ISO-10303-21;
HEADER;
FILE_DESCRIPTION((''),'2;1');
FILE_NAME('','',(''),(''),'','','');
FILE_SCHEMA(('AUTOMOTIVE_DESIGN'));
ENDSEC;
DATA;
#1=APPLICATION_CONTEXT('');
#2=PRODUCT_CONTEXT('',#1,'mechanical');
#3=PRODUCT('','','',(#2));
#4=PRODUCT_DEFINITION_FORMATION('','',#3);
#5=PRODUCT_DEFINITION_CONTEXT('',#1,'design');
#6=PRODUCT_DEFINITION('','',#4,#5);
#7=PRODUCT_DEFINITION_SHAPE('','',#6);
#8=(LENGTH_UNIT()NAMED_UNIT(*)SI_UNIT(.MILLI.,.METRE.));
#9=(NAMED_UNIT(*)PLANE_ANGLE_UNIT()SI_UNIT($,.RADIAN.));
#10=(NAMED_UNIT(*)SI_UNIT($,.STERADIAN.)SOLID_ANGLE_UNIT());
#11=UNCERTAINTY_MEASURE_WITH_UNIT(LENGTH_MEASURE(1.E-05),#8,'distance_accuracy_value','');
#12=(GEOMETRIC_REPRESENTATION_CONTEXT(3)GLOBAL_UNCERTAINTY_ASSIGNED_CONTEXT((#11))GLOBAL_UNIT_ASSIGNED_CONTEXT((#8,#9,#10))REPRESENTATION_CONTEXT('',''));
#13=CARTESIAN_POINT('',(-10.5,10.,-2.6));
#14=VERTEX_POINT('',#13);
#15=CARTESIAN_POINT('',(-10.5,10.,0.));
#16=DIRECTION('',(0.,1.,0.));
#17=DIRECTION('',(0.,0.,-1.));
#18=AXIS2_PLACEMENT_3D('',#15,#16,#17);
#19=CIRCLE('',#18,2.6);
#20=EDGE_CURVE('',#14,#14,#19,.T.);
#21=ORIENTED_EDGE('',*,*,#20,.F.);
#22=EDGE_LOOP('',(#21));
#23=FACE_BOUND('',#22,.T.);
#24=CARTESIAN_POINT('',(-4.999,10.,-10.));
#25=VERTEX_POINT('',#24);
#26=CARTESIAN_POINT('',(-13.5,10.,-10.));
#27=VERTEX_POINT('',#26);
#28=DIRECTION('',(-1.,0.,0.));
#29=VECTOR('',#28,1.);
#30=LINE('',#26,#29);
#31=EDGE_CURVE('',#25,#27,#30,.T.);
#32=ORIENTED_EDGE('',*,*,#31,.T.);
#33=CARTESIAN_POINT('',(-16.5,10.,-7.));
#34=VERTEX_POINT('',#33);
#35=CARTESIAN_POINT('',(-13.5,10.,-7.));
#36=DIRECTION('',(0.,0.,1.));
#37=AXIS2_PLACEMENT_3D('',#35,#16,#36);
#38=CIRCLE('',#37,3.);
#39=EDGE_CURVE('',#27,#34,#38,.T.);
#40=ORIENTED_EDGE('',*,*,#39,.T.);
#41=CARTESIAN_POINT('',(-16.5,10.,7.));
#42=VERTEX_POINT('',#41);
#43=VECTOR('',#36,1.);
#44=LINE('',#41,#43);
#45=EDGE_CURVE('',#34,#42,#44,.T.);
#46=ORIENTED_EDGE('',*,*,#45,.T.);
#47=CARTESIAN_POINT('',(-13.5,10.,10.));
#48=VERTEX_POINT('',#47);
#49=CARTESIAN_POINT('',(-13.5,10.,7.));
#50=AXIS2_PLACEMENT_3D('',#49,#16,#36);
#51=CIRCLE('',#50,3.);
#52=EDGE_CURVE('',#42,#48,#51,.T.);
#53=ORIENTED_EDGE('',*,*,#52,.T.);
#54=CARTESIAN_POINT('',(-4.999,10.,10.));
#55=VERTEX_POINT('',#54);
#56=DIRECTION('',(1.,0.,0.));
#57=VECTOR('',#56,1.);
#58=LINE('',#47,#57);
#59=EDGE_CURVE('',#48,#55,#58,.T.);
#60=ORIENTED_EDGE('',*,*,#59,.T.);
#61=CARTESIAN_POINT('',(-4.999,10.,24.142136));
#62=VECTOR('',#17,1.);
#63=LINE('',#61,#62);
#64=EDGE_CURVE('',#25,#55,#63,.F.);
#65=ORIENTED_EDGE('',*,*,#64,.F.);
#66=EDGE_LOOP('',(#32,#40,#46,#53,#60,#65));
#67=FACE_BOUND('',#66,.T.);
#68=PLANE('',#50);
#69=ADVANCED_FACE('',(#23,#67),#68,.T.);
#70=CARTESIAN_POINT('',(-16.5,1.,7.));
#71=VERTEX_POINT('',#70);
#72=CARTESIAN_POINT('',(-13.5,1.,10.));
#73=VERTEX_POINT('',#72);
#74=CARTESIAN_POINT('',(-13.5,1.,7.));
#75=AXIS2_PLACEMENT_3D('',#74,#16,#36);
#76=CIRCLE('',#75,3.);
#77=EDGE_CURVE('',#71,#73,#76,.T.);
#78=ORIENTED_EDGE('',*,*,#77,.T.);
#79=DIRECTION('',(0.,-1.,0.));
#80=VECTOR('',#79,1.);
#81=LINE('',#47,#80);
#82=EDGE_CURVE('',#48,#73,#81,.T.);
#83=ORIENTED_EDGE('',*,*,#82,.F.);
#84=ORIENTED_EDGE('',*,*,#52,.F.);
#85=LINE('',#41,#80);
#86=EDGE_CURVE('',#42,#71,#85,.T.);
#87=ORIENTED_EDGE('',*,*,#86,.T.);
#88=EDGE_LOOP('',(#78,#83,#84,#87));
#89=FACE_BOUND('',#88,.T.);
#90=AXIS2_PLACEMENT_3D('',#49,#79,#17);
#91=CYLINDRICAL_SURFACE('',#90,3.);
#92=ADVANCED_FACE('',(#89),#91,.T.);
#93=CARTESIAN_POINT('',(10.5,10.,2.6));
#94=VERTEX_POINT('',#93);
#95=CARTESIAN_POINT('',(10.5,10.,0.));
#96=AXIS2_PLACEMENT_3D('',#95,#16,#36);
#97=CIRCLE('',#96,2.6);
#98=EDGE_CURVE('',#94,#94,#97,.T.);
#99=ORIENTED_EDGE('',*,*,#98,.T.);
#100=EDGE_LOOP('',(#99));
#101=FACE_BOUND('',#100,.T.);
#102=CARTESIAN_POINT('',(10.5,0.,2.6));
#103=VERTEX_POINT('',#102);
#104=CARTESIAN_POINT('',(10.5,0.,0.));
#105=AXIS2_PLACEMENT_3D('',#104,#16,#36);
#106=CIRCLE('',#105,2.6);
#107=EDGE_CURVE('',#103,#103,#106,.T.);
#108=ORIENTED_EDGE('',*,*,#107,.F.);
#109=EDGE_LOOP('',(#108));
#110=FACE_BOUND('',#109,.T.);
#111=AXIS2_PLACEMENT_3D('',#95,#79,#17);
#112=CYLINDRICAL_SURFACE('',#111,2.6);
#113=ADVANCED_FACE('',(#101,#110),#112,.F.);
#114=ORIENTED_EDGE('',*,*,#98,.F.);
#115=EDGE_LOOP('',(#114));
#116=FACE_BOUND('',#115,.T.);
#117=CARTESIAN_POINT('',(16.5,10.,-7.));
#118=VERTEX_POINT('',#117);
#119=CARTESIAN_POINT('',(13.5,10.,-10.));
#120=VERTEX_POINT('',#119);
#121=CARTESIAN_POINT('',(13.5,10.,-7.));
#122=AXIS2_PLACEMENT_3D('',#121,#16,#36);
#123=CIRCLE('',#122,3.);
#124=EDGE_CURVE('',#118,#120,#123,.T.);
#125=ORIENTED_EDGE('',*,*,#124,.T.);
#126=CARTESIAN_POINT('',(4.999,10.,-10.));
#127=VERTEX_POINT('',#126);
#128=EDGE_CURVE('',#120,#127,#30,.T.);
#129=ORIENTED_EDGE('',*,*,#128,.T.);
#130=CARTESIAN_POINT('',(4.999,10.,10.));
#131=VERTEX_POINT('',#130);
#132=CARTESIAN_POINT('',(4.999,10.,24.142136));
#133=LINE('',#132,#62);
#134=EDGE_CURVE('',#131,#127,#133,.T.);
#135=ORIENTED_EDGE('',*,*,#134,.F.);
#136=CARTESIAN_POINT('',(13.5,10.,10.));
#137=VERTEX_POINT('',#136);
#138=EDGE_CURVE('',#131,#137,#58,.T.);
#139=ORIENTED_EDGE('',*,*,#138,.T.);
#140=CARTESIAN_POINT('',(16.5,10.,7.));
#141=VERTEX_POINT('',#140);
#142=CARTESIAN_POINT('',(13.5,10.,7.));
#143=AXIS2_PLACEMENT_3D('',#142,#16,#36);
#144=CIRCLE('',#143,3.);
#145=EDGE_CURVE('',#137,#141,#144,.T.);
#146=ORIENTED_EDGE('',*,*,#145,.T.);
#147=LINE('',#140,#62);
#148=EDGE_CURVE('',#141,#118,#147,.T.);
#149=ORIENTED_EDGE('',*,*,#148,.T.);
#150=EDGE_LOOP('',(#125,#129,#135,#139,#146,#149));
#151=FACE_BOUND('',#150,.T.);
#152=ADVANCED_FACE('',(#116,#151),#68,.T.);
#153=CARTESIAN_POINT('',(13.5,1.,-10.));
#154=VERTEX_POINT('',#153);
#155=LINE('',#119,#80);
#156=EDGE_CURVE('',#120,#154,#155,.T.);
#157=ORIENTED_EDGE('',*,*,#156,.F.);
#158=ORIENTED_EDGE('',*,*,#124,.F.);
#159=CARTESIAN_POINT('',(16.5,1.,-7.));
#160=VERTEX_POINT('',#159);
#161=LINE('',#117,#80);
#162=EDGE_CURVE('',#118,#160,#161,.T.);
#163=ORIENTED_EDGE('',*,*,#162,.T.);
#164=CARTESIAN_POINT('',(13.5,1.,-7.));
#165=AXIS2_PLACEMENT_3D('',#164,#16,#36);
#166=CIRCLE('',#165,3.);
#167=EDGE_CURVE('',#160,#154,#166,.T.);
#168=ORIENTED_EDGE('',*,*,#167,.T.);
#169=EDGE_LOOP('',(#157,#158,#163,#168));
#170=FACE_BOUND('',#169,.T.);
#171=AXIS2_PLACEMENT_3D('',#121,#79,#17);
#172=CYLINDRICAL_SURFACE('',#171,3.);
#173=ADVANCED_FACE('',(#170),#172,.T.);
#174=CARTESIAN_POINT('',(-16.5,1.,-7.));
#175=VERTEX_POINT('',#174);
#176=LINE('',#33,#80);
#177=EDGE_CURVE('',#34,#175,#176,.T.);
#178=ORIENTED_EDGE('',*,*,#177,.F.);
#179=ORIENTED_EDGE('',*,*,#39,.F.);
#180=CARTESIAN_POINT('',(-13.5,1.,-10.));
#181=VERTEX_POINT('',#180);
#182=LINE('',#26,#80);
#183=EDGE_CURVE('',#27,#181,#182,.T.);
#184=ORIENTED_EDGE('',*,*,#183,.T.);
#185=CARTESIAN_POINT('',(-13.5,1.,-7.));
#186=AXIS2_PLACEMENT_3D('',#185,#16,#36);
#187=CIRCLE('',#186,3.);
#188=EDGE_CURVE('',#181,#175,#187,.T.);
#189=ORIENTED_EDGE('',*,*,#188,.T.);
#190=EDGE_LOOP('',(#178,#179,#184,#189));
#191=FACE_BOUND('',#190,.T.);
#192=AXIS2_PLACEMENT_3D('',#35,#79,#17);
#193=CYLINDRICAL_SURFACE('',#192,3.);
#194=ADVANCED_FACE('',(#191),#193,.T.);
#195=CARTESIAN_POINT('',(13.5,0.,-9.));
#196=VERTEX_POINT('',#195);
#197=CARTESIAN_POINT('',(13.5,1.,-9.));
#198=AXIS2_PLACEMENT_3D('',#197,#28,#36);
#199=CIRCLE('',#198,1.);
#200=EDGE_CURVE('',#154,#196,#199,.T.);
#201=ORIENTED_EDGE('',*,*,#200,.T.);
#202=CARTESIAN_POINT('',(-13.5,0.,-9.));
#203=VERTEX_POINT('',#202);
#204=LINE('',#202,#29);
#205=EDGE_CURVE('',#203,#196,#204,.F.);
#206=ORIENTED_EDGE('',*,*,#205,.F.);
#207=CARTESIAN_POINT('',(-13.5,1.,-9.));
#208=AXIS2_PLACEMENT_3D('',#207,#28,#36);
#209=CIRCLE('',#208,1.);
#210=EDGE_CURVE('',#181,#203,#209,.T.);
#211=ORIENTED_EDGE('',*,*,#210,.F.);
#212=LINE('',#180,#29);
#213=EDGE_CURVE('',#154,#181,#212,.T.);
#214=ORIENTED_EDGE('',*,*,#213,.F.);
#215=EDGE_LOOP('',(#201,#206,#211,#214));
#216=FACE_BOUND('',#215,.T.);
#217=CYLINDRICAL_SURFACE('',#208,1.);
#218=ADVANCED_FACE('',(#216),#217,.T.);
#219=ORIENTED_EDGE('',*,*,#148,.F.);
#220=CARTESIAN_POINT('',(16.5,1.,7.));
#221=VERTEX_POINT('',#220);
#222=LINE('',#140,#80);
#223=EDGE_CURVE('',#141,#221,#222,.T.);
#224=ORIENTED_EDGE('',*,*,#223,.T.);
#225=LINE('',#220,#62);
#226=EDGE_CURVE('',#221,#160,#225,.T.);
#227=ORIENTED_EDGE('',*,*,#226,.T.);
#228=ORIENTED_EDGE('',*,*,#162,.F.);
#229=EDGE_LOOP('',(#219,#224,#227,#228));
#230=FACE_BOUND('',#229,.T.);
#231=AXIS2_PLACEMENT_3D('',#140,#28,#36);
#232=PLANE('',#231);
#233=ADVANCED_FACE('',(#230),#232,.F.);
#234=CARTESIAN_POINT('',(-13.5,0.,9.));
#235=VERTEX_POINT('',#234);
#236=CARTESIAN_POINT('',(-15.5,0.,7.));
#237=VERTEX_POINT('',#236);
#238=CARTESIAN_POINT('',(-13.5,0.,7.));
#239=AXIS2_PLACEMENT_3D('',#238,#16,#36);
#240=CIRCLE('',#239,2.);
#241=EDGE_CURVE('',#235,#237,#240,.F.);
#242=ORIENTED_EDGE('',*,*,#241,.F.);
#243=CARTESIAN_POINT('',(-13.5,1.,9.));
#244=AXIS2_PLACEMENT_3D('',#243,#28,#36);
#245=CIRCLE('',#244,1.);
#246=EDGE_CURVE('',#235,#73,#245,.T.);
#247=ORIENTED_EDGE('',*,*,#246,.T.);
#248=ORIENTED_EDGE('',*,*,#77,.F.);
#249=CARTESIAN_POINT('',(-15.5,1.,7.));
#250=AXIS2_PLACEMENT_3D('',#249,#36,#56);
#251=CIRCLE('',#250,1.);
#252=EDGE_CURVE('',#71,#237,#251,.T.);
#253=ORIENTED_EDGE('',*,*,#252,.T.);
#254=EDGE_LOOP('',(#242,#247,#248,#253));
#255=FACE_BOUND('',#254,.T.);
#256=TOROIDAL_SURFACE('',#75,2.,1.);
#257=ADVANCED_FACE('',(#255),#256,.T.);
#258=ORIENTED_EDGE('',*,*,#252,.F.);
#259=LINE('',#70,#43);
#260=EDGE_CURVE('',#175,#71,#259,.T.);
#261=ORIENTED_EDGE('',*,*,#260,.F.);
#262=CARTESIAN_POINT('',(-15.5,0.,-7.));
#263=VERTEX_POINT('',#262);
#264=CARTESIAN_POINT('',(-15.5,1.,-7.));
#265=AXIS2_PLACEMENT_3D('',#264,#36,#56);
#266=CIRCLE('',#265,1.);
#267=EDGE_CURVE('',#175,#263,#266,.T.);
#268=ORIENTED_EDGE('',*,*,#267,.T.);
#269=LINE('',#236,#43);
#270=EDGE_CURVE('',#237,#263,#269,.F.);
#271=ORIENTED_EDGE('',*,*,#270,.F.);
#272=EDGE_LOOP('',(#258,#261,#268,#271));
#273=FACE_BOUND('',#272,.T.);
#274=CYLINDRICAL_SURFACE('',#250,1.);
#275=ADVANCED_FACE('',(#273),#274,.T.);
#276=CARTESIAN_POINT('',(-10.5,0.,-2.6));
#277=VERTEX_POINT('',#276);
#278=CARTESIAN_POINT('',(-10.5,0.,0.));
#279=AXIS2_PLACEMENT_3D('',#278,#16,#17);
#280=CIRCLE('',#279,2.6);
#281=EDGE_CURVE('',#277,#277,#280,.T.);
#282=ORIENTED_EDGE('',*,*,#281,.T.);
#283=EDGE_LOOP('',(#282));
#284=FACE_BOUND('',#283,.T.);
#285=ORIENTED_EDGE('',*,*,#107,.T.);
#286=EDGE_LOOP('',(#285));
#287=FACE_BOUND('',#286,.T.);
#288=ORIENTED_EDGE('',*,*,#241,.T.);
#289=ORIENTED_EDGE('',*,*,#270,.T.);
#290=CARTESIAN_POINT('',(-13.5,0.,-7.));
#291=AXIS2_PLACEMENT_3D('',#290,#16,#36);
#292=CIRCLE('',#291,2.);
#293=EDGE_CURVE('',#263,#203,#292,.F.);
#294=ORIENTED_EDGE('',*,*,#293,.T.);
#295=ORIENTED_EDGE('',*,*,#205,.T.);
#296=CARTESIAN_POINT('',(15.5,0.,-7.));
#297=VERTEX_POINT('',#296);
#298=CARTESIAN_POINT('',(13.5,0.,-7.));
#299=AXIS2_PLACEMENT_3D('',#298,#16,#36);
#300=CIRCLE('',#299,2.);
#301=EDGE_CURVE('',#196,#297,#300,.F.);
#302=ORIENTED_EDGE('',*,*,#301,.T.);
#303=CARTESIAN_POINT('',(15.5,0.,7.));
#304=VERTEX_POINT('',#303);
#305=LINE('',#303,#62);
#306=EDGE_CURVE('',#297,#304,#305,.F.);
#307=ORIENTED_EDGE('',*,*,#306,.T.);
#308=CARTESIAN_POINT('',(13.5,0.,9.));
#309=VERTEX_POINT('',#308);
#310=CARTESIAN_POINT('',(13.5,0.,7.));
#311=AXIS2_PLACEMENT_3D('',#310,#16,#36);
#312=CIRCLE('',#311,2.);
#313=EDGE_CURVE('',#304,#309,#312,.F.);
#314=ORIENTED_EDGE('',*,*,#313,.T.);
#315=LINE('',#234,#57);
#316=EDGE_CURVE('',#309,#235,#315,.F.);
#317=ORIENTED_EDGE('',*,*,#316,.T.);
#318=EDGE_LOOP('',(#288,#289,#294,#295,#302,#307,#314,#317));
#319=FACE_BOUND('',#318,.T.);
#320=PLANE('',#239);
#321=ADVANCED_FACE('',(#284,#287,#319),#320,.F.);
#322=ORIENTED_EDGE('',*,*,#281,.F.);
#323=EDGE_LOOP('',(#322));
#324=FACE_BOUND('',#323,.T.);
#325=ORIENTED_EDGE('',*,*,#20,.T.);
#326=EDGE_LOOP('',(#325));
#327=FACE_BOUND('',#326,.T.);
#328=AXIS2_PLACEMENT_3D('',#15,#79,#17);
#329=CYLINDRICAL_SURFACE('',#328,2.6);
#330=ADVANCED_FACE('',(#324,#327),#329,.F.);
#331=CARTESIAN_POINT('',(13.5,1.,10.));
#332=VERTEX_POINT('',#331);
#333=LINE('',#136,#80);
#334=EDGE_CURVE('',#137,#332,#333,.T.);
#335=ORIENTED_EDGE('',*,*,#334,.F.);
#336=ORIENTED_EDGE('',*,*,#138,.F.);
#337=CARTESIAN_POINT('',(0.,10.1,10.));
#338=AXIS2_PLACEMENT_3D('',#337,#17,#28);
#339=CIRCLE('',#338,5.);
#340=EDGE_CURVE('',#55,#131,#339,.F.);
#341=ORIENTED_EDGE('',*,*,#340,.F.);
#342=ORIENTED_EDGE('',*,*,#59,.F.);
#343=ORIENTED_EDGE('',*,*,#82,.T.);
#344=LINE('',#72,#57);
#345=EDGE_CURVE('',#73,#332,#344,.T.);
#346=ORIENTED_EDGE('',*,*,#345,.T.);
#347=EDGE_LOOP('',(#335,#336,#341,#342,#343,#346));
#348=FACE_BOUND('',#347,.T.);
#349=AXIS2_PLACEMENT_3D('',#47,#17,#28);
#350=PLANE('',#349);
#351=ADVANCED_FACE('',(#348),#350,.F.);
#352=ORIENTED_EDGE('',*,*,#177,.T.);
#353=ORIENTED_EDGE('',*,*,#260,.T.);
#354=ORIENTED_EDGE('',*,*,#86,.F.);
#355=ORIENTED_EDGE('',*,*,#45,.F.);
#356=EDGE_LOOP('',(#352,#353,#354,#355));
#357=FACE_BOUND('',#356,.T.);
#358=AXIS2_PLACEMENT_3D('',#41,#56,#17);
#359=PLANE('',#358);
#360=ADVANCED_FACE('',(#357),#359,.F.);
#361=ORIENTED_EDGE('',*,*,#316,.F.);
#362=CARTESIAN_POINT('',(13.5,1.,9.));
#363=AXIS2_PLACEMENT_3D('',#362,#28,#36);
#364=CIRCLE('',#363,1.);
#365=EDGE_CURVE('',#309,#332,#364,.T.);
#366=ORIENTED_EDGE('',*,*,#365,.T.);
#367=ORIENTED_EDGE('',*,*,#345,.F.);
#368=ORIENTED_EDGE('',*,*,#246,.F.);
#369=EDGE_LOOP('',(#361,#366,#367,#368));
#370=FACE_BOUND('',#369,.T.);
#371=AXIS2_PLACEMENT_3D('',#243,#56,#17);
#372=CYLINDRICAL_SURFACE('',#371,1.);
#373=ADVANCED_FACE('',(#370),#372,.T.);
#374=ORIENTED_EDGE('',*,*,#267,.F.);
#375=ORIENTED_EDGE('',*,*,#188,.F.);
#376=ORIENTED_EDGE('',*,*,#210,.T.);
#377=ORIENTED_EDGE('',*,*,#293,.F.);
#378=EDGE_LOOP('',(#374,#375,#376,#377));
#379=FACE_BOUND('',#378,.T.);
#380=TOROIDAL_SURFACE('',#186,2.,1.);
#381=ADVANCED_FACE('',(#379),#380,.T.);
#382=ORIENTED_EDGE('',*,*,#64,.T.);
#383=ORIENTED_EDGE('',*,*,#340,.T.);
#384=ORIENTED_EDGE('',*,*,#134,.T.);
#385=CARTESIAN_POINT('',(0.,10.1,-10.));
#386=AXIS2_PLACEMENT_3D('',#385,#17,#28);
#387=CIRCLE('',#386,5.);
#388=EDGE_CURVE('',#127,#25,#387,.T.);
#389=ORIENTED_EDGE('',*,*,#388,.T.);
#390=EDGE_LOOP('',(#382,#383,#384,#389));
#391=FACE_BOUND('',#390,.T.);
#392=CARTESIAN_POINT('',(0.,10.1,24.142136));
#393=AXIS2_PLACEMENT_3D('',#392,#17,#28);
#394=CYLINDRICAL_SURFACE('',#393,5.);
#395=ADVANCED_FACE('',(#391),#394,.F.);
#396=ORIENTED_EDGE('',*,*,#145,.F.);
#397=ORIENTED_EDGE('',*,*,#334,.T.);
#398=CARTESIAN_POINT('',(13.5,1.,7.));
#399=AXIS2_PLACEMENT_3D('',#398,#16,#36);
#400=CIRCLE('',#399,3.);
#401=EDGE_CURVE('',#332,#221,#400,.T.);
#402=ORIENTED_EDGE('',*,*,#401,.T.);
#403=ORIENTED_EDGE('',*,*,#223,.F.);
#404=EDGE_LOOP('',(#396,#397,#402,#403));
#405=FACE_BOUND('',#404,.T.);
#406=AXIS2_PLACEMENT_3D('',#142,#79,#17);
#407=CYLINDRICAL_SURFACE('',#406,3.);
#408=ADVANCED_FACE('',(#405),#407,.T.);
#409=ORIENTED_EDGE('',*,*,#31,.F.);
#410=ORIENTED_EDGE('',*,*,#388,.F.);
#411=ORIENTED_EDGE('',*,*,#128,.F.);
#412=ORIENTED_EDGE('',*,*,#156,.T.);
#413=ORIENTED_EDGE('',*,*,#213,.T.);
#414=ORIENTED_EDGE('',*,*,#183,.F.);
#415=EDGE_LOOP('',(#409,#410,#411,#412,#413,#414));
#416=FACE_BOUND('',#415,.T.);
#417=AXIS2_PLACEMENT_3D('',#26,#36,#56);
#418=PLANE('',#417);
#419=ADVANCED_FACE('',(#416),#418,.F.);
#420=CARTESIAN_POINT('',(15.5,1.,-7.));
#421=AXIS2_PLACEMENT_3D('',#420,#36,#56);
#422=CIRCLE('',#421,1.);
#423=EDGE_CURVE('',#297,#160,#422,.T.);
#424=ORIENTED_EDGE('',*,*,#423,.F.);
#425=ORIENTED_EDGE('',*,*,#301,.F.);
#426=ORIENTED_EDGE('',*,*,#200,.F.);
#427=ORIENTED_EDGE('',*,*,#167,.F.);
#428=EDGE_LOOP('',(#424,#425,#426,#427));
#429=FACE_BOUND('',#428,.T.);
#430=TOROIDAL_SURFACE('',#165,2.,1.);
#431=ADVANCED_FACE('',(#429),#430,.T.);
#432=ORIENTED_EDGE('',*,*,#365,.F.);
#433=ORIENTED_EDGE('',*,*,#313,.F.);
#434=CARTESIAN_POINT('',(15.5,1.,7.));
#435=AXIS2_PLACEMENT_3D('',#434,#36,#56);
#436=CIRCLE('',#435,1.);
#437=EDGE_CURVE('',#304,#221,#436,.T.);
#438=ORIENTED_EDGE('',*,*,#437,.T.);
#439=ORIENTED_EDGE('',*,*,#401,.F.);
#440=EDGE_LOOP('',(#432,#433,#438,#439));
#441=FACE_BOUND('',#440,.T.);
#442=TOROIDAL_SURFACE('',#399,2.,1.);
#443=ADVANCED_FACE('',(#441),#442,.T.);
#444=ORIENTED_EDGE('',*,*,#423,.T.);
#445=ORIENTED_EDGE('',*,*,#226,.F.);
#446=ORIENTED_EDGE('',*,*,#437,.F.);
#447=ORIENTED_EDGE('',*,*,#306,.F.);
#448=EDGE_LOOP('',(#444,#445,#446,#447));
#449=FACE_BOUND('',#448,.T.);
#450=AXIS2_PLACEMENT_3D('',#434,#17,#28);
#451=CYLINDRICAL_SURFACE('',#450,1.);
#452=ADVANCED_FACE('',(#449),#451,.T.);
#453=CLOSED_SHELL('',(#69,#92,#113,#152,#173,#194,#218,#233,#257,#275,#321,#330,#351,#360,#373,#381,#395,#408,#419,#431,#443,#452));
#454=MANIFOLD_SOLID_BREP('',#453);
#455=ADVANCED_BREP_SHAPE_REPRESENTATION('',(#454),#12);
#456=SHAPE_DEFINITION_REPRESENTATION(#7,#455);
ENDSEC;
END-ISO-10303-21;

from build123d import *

# Parameters (mm, degrees)
SKETCH1_R           = 2.6
BOSS_EXTRUDE3_DEPTH = 10
SKETCH5_R           = 5
CUT_EXTRUDE3_DEPTH  = 20
FILLET2_R           = 1


with BuildPart() as part:
    # Sketch1 → Boss-Extrude3 (new body)
    with BuildSketch(Plane(origin=(0, 0, 0), x_dir=(1, 0, 0), z_dir=(0, 1, 0))):
        with BuildLine():
            Line((-13.5, -10), (13.5, -10))
            ThreePointArc((13.5, -10), (15.621320344, -9.121320344), (16.5, -7))
            Line((16.5, -7), (16.5, 7))
            ThreePointArc((16.5, 7), (15.621320344, 9.121320344), (13.5, 10))
            Line((13.5, 10), (-13.5, 10))
            ThreePointArc((-13.5, 10), (-15.621320344, 9.121320344), (-16.5, 7))
            Line((-16.5, 7), (-16.5, -7))
            ThreePointArc((-16.5, -7), (-15.621320344, -9.121320344), (-13.5, -10))
        make_face()
        with Locations(Location((10.5, 0, 0), (0, 0, 270))):
            Circle(SKETCH1_R, mode=Mode.SUBTRACT)
        with Locations(Location((-10.5, 0, 0), (0, 0, 90))):
            Circle(SKETCH1_R, mode=Mode.SUBTRACT)
    extrude(amount=BOSS_EXTRUDE3_DEPTH)

    # Sketch5 → Cut-Extrude3 (cut)
    with BuildSketch(Plane(origin=(0, 0, -10), x_dir=(-1, 0, 0), z_dir=(0, 0, -1))):
        with Locations((0, 10.1)):
            Circle(SKETCH5_R)
    extrude(amount=-CUT_EXTRUDE3_DEPTH, mode=Mode.SUBTRACT)

    # Fillet2
    fillet2_edges = [part.edges().sort_by_distance(p)[0] for p in [
        (0, 0, 10),
        (-15.621320344, 0, 9.121320344),
        (-16.5, 0, 0),
        (-15.621320344, 0, -9.121320344),
        (0, 0, -10),
        (15.621320344, 0, -9.121320344),
        (16.5, 0, 0),
        (15.621320344, 0, 9.121320344),
    ]]
    fillet(fillet2_edges, radius=FILLET2_R)


solid = part.part
